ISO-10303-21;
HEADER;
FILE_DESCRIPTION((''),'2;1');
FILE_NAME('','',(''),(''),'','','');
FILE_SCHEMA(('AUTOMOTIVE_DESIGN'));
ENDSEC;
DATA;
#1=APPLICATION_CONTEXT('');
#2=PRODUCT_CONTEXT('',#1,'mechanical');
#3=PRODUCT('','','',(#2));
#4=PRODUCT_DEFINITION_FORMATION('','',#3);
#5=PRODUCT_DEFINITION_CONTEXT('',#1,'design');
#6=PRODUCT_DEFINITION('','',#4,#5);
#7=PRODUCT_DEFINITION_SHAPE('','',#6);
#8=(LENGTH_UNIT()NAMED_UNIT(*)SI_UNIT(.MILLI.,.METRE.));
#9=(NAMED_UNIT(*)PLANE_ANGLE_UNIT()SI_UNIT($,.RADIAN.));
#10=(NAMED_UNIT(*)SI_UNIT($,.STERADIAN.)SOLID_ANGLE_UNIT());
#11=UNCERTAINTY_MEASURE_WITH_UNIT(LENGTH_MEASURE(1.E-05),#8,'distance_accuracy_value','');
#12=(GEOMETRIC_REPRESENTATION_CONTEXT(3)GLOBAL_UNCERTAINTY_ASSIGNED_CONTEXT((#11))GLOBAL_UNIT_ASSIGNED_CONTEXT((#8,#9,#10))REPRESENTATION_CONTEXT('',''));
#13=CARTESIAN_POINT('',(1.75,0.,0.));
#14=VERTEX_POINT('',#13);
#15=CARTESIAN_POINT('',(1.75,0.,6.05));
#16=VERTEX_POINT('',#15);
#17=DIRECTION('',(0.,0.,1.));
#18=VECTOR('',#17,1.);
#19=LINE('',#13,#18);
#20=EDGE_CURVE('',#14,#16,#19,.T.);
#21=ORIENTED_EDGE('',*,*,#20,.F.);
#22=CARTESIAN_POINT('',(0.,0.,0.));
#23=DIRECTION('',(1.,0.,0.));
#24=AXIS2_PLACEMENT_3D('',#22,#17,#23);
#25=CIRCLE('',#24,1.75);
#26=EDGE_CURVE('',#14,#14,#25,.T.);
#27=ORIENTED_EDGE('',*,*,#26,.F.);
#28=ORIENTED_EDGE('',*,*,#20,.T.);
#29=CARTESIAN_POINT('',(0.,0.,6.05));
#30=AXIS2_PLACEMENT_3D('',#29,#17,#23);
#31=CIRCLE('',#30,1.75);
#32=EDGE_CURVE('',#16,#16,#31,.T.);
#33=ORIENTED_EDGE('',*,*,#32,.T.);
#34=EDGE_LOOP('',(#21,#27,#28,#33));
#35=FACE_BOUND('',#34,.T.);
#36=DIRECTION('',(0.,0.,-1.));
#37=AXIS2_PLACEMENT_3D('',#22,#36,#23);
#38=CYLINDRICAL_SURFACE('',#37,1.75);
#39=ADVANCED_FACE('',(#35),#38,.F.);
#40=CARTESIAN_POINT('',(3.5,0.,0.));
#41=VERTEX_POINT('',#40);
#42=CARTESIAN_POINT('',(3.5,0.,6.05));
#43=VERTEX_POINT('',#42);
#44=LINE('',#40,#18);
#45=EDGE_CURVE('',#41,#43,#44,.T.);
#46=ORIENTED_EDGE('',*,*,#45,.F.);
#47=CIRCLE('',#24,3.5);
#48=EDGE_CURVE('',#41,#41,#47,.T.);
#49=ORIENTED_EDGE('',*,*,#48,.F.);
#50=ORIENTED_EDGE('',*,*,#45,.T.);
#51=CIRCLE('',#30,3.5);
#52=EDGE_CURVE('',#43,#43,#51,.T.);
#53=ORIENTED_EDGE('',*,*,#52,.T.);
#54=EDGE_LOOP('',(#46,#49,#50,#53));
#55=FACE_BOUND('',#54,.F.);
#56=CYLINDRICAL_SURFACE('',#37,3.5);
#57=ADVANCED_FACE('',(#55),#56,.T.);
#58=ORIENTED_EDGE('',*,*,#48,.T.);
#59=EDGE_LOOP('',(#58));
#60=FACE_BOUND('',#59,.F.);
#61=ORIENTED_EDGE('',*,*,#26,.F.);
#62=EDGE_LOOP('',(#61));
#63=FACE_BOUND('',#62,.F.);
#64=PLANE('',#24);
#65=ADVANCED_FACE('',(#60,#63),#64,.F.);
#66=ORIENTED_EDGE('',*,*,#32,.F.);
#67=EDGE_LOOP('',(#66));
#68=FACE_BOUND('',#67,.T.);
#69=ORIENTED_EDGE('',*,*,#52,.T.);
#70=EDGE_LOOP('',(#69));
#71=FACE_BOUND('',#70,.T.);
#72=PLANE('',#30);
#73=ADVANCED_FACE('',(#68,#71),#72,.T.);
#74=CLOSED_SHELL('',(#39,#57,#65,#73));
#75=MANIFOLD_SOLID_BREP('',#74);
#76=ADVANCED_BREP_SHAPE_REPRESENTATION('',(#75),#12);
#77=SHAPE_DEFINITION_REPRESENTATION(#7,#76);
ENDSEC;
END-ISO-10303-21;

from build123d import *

# Parameters (mm, degrees)
ESQUISSE1_R        = 3.5
ESQUISSE1_R_2      = 1.75
BOSS_EXTRU_1_DEPTH = 6.05


with BuildPart() as part:
    # Esquisse1 → Boss.-Extru.1 (new body)
    with BuildSketch(Plane.XY):
        Circle(ESQUISSE1_R)
        Circle(ESQUISSE1_R_2, mode=Mode.SUBTRACT)
    extrude(amount=BOSS_EXTRU_1_DEPTH)


solid = part.part
